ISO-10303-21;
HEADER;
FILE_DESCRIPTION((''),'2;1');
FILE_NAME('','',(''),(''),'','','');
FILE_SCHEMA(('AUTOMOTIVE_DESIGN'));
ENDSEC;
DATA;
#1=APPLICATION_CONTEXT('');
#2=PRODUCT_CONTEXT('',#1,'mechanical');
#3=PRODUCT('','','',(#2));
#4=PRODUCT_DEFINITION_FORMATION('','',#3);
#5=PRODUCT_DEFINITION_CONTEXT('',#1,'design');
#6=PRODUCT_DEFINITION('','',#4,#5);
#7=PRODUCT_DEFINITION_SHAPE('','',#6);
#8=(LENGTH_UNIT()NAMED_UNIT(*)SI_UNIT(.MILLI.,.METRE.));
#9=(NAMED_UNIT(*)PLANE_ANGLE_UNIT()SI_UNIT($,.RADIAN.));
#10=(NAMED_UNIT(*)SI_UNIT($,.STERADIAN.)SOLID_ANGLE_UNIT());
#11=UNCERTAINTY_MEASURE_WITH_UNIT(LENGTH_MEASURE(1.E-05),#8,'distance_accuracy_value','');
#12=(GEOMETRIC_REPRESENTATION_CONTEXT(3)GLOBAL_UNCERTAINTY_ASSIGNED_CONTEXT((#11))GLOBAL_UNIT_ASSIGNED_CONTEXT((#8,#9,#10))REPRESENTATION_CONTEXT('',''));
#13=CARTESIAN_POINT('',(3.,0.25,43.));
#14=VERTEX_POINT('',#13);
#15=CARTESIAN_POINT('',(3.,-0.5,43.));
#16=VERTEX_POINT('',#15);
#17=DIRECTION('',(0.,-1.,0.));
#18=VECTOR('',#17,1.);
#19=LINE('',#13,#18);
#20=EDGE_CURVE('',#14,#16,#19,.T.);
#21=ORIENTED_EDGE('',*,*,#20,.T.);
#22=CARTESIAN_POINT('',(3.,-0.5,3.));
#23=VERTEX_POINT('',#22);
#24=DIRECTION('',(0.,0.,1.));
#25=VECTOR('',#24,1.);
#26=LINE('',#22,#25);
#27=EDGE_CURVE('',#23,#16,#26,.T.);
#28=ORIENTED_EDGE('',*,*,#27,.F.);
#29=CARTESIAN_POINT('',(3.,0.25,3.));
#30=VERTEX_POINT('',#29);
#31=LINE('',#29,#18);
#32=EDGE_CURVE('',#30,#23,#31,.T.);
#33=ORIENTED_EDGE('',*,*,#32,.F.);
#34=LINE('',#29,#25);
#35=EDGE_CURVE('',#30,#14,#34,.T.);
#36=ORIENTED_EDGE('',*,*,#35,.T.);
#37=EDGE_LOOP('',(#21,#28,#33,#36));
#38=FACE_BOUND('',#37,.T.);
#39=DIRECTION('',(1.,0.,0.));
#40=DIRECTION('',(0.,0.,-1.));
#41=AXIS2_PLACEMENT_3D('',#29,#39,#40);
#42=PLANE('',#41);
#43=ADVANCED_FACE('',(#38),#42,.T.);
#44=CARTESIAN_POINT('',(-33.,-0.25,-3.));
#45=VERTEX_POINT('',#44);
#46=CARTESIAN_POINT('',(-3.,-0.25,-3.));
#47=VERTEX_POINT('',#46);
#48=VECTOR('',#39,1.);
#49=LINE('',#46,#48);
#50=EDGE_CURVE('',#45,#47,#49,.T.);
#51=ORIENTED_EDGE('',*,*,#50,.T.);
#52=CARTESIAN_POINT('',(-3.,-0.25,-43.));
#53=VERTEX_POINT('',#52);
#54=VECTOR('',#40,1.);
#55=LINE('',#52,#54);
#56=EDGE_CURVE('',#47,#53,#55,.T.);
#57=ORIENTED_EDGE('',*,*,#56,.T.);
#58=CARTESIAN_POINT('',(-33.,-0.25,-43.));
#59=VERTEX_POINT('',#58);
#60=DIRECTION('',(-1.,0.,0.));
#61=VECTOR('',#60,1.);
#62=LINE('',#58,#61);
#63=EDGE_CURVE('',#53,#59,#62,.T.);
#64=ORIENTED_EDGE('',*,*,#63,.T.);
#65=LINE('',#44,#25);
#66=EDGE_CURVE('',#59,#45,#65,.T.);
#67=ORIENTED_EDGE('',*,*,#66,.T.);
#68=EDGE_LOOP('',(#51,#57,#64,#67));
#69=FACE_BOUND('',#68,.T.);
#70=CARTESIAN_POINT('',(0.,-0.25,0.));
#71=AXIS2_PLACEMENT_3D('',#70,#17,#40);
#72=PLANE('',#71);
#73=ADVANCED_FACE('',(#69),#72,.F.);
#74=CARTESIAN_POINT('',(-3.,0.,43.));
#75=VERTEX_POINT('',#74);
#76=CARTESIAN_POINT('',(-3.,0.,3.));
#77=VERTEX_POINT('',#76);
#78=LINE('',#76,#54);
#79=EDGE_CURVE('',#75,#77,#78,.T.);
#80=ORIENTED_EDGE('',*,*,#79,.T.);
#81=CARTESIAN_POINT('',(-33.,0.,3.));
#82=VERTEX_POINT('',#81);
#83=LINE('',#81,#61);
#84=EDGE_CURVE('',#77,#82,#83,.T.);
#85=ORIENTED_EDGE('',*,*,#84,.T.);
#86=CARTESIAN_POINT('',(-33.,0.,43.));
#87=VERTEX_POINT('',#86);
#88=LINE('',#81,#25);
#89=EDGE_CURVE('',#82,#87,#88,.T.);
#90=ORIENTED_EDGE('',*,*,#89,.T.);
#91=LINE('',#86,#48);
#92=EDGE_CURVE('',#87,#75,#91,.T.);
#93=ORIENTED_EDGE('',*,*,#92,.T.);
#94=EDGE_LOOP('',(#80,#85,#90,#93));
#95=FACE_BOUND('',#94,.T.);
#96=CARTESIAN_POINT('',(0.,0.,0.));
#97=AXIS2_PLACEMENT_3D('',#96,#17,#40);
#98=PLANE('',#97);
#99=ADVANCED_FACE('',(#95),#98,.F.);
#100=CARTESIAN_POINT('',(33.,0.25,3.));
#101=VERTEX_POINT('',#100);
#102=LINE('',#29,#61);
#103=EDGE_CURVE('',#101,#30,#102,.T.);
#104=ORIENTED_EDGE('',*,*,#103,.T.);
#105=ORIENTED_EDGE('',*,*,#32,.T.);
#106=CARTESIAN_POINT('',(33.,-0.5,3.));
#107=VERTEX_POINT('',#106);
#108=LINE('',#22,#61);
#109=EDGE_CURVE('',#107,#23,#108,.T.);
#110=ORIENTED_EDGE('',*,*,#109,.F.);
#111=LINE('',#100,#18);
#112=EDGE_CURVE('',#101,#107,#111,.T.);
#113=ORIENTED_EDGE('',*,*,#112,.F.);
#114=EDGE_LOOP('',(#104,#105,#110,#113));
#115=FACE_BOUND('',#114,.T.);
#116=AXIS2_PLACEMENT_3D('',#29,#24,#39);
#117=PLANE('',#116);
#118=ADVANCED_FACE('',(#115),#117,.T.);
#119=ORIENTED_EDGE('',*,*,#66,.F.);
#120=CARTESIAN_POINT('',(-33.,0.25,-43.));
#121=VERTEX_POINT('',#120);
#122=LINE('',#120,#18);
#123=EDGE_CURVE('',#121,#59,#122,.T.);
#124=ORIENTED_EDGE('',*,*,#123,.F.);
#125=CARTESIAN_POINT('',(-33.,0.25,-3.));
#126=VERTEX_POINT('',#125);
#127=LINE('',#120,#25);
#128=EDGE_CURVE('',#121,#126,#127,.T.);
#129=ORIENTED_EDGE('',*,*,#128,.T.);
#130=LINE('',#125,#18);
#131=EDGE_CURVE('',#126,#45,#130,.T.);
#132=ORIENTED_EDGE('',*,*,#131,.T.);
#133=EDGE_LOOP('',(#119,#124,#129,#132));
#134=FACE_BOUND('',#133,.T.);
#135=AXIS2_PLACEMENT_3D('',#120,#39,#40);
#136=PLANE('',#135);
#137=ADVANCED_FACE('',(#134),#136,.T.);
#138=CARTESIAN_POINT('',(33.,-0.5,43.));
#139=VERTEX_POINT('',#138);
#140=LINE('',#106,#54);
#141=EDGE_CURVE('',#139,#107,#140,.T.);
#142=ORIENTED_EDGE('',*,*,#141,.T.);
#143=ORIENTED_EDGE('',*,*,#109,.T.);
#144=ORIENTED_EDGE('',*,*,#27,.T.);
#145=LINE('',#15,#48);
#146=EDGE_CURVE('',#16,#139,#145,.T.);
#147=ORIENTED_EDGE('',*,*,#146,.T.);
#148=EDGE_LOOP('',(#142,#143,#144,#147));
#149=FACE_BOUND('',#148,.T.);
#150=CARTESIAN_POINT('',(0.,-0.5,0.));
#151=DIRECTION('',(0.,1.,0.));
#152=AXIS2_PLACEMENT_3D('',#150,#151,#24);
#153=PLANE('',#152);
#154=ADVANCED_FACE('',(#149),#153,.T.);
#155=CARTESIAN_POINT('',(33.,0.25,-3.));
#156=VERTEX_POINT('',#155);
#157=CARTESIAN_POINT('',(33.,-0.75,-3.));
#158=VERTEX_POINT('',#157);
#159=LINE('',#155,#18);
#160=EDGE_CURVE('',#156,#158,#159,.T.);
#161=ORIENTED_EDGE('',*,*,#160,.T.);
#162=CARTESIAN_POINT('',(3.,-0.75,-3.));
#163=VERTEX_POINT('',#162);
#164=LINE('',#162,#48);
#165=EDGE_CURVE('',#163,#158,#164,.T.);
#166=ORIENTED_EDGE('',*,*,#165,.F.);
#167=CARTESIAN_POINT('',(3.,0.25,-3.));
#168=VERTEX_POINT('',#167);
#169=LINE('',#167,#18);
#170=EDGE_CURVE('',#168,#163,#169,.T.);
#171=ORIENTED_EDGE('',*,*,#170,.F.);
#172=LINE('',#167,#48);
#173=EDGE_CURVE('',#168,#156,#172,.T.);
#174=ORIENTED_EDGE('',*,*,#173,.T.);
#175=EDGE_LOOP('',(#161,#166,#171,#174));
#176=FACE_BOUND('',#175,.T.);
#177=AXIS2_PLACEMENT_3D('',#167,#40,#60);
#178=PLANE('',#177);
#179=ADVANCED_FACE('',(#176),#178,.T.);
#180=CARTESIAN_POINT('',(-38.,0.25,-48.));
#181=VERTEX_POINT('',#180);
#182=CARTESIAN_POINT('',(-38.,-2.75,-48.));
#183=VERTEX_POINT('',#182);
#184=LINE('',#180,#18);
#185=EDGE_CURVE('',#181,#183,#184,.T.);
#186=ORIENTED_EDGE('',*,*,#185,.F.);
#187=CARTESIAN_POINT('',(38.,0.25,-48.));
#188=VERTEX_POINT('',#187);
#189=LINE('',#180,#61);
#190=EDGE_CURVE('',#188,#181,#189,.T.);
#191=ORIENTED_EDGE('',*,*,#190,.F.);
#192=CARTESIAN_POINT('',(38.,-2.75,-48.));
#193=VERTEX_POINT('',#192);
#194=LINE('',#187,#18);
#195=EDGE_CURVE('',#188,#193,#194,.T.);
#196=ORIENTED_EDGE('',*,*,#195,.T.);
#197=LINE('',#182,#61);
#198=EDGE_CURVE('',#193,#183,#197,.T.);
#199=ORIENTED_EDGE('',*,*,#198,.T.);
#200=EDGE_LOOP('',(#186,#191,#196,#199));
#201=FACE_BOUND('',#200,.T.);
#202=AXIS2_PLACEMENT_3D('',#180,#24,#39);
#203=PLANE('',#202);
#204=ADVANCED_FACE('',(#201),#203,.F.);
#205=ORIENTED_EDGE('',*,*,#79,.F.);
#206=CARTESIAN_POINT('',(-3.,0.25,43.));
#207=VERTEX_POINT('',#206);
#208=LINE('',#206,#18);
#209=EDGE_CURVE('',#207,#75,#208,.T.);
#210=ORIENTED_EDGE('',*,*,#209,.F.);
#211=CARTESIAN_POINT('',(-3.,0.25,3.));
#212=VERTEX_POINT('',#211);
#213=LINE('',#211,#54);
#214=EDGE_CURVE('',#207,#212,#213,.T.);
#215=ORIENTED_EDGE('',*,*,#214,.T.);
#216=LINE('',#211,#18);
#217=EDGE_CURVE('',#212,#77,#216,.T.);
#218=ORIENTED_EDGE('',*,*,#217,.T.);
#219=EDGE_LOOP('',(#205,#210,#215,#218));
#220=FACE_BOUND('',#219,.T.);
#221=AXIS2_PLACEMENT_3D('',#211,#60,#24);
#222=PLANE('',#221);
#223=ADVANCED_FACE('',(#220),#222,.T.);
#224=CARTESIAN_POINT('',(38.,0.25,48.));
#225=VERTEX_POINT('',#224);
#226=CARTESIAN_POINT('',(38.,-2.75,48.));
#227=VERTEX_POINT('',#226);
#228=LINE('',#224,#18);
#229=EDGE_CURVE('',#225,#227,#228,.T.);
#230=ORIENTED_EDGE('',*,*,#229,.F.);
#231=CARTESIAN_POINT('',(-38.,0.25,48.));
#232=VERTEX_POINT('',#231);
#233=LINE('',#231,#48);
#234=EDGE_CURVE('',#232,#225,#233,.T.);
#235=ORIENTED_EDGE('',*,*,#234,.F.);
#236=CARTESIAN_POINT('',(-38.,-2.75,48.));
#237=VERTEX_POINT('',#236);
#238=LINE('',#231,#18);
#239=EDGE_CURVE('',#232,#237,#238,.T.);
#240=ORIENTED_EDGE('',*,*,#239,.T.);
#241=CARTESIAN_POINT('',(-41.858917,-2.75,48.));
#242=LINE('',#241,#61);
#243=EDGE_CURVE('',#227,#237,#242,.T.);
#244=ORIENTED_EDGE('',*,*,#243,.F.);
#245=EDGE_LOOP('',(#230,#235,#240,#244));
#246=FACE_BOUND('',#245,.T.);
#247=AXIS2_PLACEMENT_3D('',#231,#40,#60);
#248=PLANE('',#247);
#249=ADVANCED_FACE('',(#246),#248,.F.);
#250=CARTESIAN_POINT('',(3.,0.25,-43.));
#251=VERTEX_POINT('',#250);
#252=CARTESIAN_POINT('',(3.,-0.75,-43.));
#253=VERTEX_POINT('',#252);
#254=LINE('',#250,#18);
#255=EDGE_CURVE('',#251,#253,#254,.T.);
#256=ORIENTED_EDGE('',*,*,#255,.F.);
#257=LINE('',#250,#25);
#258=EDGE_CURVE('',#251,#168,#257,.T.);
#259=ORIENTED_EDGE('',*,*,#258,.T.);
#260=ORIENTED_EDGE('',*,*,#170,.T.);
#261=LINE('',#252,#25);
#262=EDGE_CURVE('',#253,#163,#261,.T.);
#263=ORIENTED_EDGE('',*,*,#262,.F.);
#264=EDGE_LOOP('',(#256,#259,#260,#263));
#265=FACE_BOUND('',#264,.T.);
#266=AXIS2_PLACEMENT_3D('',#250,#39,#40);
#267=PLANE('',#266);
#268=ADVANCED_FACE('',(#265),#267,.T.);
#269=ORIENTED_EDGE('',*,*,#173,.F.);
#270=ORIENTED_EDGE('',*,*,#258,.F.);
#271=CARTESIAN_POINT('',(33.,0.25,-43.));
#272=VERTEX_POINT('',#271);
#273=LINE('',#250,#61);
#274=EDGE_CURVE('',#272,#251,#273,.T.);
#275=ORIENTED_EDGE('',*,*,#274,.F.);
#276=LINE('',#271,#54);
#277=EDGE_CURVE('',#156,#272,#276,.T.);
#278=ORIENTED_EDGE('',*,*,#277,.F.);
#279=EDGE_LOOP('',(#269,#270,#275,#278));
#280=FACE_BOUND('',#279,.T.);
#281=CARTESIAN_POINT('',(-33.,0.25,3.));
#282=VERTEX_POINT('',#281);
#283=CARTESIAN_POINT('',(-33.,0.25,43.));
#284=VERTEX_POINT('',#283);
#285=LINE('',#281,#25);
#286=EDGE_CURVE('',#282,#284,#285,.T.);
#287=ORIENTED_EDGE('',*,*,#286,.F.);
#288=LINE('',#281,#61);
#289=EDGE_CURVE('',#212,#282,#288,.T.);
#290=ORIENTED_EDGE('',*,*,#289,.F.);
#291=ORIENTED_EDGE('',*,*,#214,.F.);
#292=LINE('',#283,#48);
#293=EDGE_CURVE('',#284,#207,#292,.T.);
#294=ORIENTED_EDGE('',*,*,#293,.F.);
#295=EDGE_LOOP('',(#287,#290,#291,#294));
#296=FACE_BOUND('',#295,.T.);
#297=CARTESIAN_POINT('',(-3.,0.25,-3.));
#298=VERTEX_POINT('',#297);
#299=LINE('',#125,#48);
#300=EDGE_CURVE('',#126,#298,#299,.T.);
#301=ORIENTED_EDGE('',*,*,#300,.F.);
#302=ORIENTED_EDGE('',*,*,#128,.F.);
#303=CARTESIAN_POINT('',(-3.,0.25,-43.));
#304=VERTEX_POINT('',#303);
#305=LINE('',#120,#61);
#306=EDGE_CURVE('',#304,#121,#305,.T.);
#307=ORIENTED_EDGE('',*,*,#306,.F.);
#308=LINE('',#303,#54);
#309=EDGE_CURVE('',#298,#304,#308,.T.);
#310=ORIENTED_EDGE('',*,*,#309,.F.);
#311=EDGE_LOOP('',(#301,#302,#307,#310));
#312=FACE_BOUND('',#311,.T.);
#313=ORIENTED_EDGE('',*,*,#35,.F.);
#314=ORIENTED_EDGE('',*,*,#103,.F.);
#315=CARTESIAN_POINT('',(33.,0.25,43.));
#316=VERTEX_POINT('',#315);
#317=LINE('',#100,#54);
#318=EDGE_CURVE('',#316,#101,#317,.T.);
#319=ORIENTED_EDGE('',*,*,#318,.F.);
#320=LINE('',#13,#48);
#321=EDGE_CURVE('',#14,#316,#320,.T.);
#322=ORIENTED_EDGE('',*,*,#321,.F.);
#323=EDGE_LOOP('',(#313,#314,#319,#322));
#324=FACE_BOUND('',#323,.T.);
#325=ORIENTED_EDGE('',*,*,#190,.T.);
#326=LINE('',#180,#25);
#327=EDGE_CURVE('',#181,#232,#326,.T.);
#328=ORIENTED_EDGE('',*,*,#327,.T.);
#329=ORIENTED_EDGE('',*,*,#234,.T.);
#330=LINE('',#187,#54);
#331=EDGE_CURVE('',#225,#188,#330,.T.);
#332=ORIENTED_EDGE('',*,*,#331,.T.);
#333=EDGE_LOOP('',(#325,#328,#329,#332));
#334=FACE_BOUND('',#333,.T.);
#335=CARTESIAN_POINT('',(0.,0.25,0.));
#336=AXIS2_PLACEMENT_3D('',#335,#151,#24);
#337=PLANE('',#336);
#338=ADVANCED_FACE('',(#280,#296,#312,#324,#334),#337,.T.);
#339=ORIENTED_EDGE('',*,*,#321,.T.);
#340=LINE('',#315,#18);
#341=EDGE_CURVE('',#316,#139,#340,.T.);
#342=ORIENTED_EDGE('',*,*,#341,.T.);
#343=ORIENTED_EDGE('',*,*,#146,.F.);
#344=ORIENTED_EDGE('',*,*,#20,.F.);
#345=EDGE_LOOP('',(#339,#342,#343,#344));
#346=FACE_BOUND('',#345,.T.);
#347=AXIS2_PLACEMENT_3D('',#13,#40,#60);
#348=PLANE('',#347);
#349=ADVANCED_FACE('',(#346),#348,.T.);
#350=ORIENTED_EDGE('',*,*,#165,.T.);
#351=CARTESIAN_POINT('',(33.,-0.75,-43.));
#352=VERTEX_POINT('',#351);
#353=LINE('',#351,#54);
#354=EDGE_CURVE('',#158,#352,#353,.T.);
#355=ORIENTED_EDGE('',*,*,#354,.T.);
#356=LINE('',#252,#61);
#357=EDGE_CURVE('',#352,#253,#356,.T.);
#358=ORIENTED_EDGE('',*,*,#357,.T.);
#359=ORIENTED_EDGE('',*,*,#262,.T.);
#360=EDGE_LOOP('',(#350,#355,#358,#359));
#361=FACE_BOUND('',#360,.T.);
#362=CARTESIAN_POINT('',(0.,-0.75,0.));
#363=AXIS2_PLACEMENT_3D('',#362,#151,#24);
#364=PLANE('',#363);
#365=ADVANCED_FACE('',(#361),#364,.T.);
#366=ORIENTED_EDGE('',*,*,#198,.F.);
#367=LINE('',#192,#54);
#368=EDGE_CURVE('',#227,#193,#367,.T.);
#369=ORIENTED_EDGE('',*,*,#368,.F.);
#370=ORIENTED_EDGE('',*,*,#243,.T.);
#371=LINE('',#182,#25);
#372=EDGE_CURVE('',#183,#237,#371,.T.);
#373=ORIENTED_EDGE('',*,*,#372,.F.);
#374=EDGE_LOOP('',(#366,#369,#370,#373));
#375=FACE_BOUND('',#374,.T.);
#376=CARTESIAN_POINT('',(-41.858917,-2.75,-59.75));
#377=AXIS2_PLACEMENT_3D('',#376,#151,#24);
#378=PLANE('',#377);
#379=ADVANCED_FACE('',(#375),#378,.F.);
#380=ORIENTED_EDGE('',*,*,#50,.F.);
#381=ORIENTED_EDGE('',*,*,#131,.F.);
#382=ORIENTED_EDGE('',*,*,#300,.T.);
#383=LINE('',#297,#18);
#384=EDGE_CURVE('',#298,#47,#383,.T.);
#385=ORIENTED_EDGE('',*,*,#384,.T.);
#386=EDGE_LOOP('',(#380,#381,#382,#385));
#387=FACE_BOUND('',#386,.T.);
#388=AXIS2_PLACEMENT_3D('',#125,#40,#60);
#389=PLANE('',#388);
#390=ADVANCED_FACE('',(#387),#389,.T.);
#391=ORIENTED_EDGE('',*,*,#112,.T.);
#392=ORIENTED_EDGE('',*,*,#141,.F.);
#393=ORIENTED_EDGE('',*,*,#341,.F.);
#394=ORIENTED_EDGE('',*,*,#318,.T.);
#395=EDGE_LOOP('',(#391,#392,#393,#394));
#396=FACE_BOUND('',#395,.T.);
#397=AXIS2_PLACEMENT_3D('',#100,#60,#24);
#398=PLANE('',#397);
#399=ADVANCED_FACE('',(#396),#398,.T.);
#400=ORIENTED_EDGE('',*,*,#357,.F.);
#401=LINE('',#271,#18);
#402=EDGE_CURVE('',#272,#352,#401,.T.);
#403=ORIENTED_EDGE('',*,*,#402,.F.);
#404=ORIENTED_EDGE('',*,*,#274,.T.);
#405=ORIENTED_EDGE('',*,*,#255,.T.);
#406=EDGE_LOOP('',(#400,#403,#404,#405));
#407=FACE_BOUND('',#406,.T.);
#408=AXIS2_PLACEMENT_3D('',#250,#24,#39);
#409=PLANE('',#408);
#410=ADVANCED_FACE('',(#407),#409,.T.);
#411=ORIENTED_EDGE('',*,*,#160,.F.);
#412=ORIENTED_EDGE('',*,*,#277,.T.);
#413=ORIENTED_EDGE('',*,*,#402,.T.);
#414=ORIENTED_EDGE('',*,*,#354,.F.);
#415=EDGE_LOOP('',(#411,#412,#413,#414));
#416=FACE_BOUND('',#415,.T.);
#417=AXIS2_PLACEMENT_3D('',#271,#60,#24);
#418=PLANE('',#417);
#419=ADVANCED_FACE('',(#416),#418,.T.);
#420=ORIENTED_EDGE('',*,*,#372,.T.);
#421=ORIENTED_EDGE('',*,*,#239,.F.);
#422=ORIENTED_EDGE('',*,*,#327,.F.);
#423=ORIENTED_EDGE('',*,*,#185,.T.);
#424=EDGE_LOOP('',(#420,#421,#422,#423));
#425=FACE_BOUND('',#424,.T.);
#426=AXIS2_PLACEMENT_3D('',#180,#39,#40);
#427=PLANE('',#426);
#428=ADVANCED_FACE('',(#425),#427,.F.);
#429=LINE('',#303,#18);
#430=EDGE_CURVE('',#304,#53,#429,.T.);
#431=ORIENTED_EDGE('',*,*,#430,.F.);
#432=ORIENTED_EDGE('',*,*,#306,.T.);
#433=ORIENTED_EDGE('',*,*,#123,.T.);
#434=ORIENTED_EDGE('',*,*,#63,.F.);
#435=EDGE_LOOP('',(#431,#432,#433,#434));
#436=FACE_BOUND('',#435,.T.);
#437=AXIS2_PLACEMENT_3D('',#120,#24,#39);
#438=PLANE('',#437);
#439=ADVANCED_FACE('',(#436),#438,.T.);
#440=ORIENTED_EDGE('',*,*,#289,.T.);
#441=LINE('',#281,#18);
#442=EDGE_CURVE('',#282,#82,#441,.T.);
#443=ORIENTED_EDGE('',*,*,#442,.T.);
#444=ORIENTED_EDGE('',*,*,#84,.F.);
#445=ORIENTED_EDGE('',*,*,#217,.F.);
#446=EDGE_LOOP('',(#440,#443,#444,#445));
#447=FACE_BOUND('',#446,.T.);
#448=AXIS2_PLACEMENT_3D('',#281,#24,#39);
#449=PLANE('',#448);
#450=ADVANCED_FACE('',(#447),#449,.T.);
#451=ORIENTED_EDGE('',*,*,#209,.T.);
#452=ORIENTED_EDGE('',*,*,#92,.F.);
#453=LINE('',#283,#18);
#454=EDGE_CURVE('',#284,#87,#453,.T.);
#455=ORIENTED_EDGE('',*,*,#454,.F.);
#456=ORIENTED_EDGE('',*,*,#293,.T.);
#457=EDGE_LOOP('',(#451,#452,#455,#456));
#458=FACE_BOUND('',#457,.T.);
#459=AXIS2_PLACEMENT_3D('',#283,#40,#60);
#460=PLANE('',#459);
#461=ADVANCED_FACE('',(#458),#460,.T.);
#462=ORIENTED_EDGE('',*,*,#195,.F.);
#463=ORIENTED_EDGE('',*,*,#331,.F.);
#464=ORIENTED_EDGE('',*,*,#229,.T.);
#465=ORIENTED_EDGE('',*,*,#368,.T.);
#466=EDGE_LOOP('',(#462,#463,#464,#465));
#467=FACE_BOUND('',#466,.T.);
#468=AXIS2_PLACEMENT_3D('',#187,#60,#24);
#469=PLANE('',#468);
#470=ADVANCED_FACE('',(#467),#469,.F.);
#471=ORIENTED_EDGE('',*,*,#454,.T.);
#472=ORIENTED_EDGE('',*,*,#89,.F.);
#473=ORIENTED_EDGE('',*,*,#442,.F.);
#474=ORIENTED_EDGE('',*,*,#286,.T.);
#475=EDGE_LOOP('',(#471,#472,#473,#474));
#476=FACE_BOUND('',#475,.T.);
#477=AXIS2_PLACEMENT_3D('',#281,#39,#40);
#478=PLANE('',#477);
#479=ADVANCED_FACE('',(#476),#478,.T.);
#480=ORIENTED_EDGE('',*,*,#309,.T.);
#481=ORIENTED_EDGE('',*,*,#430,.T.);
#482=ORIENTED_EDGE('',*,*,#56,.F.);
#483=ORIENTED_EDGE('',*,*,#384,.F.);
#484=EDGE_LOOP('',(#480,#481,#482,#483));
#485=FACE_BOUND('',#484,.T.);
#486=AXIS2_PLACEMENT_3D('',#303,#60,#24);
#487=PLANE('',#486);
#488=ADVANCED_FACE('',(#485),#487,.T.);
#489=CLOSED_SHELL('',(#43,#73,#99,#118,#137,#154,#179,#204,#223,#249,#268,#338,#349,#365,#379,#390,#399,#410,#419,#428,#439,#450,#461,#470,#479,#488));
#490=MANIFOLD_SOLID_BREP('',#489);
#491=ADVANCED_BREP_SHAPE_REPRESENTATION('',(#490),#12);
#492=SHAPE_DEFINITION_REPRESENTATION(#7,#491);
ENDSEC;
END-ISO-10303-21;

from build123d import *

# Parameters (mm, degrees)
SKETCH1_W           = 76
SKETCH1_H           = 96
SKETCH1_W_2         = 30
SKETCH1_H_2         = 40
BOSS_EXTRUDE1_DEPTH = 0.25
SKETCH2_W           = 76
SKETCH2_H           = 96
BOSS_EXTRUDE2_DEPTH = 4
SKETCH3_W           = 30
SKETCH3_H           = 40
CUT_EXTRUDE1_DEPTH  = 0.25
SKETCH4_W           = 30
SKETCH4_H           = 40
CUT_EXTRUDE2_DEPTH  = 0.5
SKETCH5_W           = 30
SKETCH5_H           = 40
CUT_EXTRUDE3_DEPTH  = 0.75
SKETCH6_W           = 83.006350466
SKETCH6_H           = 7.589152043
CUT_EXTRUDE4_DEPTH  = 107.75


with BuildPart() as part:
    # Sketch1 → Boss-Extrude1 (new body)
    with BuildSketch(Plane(origin=(0, 0, 0), x_dir=(1, 0, 0), z_dir=(0, 1, 0))):
        Rectangle(SKETCH1_W, SKETCH1_H)
        with Locations((-18, 23)):
            Rectangle(SKETCH1_W_2, SKETCH1_H_2, mode=Mode.SUBTRACT)
        with Locations((18, 23)):
            Rectangle(SKETCH1_W_2, SKETCH1_H_2, mode=Mode.SUBTRACT)
        with Locations((18, -23)):
            Rectangle(SKETCH1_W_2, SKETCH1_H_2, mode=Mode.SUBTRACT)
        with Locations((-18, -23)):
            Rectangle(SKETCH1_W_2, SKETCH1_H_2, mode=Mode.SUBTRACT)
    extrude(amount=BOSS_EXTRUDE1_DEPTH)

    # Sketch2 → Boss-Extrude2 (add)
    with BuildSketch(Plane.XZ):
        Rectangle(SKETCH2_W, SKETCH2_H)
    extrude(amount=BOSS_EXTRUDE2_DEPTH)

    # Sketch3 → Cut-Extrude1 (cut)
    with BuildSketch(Plane(origin=(0, 0, 0), x_dir=(1, 0, 0), z_dir=(0, 1, 0))):
        with Locations((-18, 23)):
            Rectangle(SKETCH3_W, SKETCH3_H)
    extrude(amount=-CUT_EXTRUDE1_DEPTH, mode=Mode.SUBTRACT)

    # Sketch4 → Cut-Extrude2 (cut)
    with BuildSketch(Plane(origin=(0, 0, 0), x_dir=(1, 0, 0), z_dir=(0, 1, 0))):
        with Locations((18, -23)):
            Rectangle(SKETCH4_W, SKETCH4_H)
    extrude(amount=-CUT_EXTRUDE2_DEPTH, mode=Mode.SUBTRACT)

    # Sketch5 → Cut-Extrude3 (cut)
    with BuildSketch(Plane(origin=(0, 0, 0), x_dir=(1, 0, 0), z_dir=(0, 1, 0))):
        with Locations((18, 23)):
            Rectangle(SKETCH5_W, SKETCH5_H)
    extrude(amount=-CUT_EXTRUDE3_DEPTH, mode=Mode.SUBTRACT)

    # Sketch6 → Cut-Extrude4 (cut)
    with BuildSketch(Plane.XY.offset(48)):
        with Locations((-0.355741502, -6.544576022)):
            Rectangle(SKETCH6_W, SKETCH6_H)
    extrude(amount=-CUT_EXTRUDE4_DEPTH, mode=Mode.SUBTRACT)


solid = part.part
